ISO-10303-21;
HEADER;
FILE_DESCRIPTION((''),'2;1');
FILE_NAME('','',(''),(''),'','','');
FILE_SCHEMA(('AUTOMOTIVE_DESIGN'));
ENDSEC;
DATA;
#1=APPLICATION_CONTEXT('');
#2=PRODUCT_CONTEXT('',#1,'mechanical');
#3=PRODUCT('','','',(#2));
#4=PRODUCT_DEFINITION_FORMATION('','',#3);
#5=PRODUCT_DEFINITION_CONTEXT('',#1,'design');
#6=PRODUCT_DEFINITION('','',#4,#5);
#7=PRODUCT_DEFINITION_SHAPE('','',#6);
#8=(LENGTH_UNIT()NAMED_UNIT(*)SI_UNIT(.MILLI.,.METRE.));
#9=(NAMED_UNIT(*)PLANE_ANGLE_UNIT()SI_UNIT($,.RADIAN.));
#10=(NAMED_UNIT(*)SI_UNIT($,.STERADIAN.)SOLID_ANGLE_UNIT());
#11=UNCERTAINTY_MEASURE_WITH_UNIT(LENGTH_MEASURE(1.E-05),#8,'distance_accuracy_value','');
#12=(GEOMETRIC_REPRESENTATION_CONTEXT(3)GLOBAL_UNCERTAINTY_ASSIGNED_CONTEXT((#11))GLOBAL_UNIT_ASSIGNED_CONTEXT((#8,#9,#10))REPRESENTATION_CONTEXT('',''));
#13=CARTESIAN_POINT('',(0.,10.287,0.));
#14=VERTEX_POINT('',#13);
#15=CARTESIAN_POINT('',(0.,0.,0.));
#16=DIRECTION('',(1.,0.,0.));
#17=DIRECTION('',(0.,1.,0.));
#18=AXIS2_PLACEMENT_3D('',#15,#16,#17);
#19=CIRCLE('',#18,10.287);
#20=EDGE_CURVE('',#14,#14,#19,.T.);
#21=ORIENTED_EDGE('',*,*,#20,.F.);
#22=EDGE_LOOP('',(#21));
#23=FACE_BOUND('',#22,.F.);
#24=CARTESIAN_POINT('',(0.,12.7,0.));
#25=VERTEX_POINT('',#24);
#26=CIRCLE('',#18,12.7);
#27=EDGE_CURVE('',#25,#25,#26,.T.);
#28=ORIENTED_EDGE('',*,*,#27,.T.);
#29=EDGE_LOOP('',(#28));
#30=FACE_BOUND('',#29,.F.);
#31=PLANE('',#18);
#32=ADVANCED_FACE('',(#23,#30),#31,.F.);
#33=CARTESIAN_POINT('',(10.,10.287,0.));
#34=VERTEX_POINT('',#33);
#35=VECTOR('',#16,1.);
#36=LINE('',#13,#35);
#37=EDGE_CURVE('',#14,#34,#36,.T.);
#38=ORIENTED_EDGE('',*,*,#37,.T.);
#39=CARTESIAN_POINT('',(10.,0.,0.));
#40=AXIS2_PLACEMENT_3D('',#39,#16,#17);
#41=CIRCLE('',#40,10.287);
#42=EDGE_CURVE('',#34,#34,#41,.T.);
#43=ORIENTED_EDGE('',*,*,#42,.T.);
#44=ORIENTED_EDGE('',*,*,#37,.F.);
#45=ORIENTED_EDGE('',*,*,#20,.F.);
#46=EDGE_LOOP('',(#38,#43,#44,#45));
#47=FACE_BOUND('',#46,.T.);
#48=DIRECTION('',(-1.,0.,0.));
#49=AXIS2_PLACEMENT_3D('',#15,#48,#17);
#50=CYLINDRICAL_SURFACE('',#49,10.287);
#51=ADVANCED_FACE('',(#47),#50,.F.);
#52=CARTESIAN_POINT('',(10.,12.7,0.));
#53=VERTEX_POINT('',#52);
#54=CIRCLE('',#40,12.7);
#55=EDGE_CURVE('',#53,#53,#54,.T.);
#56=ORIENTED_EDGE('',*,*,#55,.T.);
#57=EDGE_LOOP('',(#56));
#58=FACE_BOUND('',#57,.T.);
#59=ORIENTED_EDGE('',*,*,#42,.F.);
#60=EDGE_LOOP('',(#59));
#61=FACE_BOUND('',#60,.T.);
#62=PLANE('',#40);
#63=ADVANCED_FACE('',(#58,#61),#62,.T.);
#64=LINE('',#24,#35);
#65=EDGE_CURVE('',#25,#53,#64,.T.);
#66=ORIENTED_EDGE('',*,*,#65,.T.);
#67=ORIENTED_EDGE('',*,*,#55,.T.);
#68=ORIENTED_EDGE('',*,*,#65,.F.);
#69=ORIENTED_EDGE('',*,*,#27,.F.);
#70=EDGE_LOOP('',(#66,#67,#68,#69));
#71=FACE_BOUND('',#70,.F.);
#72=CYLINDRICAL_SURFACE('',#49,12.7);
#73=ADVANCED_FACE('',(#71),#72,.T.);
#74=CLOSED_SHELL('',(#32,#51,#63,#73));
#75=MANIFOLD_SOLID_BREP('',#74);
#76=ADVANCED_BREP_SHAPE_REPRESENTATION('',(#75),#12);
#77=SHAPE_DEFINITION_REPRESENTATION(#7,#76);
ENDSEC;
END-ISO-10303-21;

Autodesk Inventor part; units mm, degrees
ref_plane "YZ Plane" through (0, 0, 0) normal (1, 0, 0) x (0, 1, 0)
ref_plane "XZ Plane" through (0, 0, 0) normal (0, 1, 0) x (-1, 0, 0)
ref_plane "XY Plane" through (0, 0, 0) normal (0, 0, 1) x (1, 0, 0)
sketch "Sketch1" plane through (0, 0, 0) normal (1, 0, 0) x (0, 1, 0)
  circle A0 centre (0, 0) radius 12.7
  circle A1 centre (0, 0) radius 10.287
  dimension "d0" = 25.4
  dimension "d1" = 2.413
extrude "Extrusion1" add sketch "Sketch1" along normal blind 10
properties part number "Hoop Steel tube"
